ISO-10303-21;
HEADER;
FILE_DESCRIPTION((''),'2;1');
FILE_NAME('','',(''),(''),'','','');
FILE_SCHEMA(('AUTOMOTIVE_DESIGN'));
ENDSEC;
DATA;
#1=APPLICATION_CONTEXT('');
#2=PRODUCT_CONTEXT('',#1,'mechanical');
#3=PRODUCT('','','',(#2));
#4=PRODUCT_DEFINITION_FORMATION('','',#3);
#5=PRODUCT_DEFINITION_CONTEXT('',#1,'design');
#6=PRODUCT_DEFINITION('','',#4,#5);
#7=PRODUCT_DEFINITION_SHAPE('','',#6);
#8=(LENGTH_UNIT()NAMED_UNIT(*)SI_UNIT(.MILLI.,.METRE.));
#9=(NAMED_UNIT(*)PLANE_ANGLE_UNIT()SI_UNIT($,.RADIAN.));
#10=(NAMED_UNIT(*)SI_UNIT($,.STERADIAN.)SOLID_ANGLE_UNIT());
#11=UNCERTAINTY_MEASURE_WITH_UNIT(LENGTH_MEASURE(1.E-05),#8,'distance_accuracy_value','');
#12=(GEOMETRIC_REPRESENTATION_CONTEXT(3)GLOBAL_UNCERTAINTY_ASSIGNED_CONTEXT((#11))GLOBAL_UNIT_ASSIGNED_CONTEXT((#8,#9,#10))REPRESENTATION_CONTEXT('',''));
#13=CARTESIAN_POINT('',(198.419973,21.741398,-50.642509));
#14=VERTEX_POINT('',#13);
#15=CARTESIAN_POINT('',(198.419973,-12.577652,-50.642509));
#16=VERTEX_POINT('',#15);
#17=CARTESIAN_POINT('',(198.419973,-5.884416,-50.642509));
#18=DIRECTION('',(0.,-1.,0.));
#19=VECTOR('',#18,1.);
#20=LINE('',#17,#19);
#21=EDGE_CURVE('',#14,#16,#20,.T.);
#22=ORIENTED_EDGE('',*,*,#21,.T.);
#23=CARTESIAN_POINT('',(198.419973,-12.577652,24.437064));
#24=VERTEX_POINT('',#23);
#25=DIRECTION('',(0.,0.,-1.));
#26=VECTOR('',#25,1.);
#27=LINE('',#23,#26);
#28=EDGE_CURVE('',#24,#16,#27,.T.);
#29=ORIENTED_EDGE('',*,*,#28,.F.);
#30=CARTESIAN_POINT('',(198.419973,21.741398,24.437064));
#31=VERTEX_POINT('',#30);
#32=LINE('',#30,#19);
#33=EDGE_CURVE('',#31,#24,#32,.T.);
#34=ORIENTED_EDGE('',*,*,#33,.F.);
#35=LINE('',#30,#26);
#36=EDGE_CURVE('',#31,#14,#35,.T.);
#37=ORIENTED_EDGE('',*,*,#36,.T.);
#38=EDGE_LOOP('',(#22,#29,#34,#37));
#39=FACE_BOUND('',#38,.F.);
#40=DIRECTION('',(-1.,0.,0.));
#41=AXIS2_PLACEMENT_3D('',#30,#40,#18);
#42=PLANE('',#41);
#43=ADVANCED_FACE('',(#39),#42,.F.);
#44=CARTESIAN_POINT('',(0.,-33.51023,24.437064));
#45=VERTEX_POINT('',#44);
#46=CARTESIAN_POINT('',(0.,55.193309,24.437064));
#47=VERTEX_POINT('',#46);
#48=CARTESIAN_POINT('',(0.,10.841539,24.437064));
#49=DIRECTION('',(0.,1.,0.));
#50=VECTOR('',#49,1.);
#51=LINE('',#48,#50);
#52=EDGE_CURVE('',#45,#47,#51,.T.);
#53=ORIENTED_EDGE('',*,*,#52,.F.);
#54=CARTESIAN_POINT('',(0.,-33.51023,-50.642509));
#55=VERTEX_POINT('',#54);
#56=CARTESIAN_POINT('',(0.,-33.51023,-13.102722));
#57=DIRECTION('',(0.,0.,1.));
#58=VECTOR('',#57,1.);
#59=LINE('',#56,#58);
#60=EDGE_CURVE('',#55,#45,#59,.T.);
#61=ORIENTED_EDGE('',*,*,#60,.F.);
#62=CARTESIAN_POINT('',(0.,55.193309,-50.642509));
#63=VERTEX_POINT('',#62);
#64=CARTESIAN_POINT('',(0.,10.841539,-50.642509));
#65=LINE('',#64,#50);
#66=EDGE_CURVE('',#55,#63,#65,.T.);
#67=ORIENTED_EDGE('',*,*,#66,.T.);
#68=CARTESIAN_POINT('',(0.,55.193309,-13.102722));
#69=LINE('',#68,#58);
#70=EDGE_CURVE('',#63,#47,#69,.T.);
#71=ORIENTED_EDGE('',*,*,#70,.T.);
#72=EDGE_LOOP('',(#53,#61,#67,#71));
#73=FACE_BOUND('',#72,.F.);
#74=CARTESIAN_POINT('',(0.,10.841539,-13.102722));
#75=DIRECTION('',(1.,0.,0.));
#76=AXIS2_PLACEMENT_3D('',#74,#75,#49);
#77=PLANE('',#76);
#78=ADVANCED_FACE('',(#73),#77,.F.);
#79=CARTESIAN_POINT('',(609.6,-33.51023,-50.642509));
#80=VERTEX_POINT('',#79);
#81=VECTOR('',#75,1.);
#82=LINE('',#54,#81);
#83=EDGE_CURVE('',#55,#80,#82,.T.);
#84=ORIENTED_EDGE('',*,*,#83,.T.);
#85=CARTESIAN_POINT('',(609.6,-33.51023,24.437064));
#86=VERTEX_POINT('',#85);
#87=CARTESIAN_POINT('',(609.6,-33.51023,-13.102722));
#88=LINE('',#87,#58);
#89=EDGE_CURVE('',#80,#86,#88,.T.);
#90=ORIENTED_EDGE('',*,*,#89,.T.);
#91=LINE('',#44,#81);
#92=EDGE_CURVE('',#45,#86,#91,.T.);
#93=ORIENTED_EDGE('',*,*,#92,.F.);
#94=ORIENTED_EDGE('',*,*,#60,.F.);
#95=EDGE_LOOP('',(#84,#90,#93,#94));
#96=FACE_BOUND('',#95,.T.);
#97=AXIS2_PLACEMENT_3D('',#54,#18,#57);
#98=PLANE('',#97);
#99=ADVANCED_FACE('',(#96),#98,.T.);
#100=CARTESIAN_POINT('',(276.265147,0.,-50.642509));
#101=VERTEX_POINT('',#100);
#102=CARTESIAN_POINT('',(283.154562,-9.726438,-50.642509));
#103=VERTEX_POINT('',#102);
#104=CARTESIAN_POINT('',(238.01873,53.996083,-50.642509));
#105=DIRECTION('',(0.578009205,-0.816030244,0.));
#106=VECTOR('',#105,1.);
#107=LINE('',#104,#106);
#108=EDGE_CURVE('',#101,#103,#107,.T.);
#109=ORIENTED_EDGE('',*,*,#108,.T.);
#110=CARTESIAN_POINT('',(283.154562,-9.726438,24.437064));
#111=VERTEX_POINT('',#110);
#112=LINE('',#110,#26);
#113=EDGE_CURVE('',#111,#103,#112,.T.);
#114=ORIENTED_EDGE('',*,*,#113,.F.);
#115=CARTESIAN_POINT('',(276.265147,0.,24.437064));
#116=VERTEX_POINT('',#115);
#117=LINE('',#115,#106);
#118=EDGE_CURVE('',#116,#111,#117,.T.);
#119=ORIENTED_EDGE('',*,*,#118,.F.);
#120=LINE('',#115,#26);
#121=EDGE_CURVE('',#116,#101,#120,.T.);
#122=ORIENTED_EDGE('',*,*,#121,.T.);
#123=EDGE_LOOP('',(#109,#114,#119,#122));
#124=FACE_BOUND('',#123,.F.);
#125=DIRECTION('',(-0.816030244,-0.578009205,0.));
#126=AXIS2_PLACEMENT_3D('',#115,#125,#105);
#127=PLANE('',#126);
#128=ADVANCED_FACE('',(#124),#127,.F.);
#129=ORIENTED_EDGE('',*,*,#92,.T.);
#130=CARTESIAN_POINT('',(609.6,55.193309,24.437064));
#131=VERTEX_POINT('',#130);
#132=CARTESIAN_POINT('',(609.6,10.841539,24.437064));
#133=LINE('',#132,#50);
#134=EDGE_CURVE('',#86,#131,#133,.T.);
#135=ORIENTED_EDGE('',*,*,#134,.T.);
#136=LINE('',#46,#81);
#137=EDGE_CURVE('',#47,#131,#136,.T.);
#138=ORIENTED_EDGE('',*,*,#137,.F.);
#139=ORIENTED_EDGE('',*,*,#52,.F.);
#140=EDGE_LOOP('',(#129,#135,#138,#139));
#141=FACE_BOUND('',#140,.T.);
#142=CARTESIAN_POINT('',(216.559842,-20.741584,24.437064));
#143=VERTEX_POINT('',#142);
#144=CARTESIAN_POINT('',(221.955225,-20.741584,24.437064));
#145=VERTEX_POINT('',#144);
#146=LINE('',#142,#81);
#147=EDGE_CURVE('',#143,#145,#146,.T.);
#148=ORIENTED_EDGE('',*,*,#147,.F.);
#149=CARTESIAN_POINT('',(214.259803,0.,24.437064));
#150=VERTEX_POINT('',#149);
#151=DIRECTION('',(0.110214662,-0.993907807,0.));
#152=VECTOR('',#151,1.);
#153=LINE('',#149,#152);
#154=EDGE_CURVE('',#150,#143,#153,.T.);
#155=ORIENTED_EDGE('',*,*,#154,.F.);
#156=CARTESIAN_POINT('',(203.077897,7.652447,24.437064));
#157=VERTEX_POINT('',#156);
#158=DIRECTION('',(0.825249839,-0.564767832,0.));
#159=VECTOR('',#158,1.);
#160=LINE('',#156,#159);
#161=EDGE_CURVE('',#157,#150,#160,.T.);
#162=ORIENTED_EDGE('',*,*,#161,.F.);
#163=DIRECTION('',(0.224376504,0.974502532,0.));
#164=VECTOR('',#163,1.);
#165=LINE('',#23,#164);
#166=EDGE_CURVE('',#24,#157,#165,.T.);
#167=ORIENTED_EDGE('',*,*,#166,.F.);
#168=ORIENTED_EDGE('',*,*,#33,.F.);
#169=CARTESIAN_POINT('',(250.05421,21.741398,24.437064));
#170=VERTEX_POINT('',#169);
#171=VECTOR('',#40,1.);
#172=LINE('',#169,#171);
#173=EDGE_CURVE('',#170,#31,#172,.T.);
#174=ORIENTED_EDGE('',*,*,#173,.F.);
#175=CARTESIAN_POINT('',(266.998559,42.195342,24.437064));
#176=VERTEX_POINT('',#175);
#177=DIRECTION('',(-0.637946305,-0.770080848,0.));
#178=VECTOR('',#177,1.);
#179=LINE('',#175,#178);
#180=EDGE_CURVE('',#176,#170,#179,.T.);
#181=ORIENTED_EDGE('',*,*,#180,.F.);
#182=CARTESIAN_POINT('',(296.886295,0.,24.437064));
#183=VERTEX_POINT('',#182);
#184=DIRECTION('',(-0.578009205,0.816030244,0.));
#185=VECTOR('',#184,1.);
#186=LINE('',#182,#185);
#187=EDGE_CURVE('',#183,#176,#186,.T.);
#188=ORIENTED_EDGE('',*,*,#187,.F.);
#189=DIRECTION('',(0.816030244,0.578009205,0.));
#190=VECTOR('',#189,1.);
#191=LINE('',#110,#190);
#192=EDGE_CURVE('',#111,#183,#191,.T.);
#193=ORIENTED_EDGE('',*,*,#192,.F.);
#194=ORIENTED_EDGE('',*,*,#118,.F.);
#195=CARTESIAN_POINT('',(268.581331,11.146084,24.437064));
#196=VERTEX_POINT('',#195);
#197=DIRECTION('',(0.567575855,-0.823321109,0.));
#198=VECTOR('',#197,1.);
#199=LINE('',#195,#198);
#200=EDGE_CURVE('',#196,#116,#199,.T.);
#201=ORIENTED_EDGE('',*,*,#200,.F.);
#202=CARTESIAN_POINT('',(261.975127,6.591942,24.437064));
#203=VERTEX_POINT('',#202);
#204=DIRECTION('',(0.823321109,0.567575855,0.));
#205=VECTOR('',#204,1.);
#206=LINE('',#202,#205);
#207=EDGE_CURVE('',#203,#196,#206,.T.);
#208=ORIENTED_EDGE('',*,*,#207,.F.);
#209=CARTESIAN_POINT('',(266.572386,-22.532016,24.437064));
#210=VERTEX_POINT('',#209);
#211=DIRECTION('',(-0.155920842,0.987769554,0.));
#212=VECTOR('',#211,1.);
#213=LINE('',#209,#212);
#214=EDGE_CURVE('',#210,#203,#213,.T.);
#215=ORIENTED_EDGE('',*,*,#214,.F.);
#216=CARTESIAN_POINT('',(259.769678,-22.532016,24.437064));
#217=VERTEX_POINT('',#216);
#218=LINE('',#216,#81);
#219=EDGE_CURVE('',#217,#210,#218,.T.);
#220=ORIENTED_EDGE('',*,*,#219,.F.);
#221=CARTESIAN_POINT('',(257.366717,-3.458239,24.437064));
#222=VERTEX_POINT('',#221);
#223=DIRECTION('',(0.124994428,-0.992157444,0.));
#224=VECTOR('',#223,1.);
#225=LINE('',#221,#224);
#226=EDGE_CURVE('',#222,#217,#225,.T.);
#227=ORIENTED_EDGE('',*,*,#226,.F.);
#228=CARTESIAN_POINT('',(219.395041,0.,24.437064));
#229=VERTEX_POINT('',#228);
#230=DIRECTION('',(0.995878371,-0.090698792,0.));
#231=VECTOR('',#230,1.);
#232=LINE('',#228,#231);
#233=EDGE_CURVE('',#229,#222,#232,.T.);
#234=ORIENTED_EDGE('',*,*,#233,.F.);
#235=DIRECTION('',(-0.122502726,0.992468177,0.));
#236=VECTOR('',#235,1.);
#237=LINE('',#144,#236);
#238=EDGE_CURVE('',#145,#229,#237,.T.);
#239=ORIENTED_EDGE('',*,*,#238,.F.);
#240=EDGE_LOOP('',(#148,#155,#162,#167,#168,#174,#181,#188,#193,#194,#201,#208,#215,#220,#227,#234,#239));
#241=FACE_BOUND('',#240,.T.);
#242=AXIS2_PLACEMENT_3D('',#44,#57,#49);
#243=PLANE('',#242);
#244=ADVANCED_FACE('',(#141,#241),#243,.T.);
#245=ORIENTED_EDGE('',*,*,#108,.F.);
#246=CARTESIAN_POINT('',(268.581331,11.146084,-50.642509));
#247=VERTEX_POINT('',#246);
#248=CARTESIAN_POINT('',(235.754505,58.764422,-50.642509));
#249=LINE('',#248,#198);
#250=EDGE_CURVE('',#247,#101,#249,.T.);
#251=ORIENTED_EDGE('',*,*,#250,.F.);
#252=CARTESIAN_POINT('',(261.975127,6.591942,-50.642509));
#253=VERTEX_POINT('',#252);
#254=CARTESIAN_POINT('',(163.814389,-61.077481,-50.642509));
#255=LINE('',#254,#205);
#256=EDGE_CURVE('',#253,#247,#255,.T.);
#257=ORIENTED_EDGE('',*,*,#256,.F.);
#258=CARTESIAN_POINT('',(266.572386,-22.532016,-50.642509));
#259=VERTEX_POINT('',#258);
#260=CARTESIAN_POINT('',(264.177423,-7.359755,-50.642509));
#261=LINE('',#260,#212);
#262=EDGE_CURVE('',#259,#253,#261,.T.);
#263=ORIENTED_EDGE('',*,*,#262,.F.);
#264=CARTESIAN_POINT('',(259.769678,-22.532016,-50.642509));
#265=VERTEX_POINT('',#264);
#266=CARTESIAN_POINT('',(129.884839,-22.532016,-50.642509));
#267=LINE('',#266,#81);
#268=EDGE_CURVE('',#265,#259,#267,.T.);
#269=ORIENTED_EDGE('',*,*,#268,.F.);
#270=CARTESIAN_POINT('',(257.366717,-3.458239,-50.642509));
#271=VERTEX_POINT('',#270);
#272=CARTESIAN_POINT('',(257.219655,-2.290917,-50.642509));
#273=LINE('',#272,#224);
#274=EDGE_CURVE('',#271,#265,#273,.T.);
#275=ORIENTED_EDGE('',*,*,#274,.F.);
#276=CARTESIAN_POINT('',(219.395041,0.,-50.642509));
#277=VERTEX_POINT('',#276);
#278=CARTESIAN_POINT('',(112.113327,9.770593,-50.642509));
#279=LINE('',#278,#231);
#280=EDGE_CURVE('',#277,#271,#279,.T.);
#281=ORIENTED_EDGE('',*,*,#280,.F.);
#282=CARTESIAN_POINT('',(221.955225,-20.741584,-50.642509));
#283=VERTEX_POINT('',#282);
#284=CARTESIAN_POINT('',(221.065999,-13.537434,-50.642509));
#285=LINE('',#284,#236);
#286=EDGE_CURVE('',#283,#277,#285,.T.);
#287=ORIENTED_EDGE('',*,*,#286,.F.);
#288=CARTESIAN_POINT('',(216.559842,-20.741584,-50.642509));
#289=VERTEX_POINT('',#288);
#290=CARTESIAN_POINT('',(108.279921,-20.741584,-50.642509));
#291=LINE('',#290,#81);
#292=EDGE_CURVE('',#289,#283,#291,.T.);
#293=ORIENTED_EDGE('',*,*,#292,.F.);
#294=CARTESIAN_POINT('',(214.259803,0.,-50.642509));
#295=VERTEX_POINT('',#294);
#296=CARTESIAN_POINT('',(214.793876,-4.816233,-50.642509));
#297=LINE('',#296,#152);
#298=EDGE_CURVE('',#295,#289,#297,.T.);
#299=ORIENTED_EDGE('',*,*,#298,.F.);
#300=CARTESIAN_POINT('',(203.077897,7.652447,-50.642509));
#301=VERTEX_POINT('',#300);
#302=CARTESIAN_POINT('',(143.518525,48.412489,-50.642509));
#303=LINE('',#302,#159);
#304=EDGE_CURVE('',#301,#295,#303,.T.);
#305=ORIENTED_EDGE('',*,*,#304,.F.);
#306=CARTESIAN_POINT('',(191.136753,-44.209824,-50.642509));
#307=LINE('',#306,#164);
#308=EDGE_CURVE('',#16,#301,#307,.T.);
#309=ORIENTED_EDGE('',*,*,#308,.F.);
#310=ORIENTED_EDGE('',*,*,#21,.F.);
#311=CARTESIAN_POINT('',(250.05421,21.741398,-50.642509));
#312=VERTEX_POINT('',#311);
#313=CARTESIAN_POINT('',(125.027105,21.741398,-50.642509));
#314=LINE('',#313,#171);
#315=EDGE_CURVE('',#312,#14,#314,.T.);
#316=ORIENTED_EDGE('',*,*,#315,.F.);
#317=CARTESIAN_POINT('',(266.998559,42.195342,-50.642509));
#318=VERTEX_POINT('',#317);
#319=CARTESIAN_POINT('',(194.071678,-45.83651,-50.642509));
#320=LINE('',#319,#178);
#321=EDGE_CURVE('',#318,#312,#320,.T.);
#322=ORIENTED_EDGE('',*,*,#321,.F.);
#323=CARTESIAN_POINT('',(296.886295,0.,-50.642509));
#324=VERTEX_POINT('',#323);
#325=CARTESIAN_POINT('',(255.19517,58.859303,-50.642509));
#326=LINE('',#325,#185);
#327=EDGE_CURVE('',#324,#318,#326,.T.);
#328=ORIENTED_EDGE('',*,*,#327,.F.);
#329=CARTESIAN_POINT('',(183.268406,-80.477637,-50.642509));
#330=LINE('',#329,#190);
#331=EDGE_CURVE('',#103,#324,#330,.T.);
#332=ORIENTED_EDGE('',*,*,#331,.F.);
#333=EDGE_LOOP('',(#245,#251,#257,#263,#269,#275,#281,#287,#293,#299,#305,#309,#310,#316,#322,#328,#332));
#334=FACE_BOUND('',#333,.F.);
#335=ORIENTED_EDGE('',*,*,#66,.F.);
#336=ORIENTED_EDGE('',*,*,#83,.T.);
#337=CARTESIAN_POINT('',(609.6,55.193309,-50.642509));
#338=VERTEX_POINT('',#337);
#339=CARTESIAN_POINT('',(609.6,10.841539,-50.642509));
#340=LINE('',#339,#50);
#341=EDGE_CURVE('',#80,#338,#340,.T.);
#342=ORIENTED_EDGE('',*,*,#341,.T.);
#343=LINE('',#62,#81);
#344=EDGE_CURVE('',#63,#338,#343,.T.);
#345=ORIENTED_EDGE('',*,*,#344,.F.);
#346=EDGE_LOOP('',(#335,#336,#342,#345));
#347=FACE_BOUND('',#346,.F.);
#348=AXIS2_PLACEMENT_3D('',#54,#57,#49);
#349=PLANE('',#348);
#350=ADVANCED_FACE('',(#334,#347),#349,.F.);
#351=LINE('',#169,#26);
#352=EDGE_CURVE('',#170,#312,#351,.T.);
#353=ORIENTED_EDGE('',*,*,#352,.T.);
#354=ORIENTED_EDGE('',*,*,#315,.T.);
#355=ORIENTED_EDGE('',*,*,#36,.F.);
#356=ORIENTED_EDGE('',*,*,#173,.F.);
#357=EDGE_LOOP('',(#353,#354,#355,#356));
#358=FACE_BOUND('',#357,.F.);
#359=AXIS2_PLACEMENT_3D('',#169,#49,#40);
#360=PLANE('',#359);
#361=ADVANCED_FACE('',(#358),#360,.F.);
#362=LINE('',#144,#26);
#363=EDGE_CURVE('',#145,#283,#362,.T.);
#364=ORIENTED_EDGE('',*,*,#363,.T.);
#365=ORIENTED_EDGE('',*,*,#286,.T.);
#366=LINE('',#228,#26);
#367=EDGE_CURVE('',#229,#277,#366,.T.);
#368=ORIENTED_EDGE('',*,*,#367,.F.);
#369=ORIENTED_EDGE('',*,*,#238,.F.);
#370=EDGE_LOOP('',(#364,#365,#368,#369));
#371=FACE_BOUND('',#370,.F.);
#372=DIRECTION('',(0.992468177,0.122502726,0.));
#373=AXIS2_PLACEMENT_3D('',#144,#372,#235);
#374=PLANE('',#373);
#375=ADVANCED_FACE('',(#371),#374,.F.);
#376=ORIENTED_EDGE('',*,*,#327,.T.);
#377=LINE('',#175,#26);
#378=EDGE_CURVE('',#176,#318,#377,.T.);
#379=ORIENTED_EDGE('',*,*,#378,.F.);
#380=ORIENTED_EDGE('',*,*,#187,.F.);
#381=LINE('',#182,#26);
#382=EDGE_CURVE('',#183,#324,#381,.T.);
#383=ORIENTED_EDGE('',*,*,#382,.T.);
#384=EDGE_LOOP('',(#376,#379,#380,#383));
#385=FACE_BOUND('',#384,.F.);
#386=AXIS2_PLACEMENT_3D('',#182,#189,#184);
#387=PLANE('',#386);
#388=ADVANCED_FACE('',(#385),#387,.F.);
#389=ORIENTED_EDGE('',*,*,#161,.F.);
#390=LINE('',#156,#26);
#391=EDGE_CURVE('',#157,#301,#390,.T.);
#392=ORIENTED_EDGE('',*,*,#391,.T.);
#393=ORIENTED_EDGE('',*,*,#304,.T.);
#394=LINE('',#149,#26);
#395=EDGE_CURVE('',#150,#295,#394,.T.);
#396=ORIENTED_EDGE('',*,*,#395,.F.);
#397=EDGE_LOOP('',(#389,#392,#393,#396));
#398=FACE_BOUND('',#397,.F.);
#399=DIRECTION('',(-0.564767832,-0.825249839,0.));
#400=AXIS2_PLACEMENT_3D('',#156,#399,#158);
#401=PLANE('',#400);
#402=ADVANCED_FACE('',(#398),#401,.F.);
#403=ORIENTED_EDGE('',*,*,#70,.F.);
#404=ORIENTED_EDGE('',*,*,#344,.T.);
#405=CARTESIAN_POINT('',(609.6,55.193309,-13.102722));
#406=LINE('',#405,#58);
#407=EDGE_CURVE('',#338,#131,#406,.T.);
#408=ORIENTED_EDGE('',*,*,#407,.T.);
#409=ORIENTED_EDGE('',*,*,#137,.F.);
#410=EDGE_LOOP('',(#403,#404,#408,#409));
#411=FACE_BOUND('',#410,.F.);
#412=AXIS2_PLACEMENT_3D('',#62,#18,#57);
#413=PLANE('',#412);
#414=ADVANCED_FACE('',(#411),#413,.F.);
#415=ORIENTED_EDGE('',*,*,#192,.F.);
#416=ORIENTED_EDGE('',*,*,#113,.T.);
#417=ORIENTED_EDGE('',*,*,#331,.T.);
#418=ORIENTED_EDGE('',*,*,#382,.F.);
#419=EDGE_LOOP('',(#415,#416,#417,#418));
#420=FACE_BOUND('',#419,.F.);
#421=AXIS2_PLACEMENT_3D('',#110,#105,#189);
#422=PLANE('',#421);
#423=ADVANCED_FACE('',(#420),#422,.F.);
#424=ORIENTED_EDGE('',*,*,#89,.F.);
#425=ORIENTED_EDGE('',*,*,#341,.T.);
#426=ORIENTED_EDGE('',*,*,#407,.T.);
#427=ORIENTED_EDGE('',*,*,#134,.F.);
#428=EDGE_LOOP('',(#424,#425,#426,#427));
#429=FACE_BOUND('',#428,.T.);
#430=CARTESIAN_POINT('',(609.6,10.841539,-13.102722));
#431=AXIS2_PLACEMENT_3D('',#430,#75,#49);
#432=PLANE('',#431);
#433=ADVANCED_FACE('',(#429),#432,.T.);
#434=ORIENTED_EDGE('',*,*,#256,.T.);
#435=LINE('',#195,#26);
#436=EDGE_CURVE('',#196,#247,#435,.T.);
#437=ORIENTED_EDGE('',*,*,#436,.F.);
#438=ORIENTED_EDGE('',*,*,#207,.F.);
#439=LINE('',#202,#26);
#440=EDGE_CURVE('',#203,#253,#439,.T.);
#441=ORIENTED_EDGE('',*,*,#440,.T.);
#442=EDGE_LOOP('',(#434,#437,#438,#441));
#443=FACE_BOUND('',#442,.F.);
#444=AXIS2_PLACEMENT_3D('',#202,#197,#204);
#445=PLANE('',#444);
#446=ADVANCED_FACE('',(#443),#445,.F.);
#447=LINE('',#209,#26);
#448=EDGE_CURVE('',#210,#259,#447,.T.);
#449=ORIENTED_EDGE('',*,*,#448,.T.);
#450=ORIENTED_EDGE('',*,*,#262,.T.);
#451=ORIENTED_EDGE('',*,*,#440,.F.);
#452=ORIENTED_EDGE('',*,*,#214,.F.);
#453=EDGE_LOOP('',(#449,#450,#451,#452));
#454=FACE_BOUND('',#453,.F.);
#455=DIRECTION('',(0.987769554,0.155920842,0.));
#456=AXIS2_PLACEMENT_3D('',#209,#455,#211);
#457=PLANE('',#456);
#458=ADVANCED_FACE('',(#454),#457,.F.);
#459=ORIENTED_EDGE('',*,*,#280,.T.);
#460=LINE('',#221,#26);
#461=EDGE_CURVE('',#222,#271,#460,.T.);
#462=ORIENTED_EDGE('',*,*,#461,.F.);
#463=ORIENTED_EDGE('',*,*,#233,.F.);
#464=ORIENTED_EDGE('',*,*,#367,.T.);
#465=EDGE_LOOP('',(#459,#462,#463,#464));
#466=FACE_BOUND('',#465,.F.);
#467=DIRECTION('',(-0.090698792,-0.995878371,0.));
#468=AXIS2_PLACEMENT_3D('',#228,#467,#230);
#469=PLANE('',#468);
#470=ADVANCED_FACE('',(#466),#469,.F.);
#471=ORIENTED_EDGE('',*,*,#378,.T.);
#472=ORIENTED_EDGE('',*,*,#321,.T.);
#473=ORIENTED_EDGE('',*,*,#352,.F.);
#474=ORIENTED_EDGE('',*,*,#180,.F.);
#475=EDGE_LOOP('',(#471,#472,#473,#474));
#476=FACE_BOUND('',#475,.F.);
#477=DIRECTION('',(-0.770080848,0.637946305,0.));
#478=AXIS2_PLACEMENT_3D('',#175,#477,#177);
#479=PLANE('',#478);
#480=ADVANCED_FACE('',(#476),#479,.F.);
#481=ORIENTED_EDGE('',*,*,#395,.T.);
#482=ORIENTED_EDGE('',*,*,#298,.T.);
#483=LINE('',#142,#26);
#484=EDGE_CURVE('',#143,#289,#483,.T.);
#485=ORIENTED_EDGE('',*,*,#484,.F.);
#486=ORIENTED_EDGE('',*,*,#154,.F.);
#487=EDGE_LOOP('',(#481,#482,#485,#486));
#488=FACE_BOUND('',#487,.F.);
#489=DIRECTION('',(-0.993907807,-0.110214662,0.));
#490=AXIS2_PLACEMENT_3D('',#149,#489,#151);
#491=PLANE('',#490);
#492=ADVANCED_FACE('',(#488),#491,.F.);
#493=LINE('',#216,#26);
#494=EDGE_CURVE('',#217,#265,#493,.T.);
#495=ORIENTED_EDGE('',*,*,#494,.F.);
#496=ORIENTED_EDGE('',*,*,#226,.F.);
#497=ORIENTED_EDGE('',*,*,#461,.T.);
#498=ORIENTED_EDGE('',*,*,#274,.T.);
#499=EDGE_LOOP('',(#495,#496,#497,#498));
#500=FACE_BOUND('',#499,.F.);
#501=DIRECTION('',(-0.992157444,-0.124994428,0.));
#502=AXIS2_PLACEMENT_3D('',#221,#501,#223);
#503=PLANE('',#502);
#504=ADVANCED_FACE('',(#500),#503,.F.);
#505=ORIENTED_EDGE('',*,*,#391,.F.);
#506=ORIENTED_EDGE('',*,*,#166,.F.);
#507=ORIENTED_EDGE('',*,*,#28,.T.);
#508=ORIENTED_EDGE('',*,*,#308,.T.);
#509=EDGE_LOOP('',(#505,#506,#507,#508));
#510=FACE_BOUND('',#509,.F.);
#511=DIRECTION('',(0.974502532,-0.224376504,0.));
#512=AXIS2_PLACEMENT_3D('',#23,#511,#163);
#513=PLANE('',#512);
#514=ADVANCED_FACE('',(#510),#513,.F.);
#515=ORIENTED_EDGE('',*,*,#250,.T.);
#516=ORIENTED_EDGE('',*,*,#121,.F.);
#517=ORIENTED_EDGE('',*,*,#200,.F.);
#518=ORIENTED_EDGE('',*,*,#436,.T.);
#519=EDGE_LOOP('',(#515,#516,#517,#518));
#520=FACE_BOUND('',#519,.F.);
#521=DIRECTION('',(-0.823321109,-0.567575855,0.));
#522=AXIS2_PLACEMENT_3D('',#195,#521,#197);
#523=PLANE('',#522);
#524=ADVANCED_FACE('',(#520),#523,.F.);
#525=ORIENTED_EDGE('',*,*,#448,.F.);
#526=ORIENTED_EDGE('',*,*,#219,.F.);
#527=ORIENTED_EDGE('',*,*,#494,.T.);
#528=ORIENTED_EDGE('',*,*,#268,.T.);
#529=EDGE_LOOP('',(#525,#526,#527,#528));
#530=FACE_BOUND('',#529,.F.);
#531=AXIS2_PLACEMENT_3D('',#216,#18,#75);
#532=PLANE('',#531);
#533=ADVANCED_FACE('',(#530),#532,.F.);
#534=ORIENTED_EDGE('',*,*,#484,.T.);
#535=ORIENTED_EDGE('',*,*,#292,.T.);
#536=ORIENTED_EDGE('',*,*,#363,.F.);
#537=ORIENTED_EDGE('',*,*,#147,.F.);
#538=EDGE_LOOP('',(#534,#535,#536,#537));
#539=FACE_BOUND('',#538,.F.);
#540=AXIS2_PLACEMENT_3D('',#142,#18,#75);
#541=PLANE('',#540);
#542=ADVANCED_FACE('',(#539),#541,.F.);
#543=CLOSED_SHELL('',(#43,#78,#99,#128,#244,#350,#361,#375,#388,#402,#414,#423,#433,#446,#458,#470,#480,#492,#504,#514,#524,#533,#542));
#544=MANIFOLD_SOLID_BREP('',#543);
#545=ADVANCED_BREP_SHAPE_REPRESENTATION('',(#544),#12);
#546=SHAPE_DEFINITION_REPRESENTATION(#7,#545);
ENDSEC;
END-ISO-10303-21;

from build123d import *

# Parameters (mm, degrees)
F0_W     = 88.7035392225
F0_H     = 75.0795733184
F1_DEPTH = 609.6
F3_DEPTH = 75.0805733184


with BuildPart() as f1:
    # F0 (on Right) → F1 (new body)
    with BuildSketch(Plane.YZ):
        with Locations((10.8415391296, -13.1027223542)):
            Rectangle(F0_W, F0_H)
    extrude(amount=F1_DEPTH)

    # F2 (on face) → F3 (cut, through all)
    with BuildSketch(Plane.XY.offset(24.4370643049)):
        Polygon((250.0542104244, 21.7413976789), (198.4199732542, 21.7413976789), (198.4199732542, -12.5776519999), (203.0778974295, 7.6524470933), (214.2598032951, 0), (216.5598422289, -20.7415837795), (221.9552248716, -20.7415837795), (219.3950414658, 0), (257.3667168617, -3.4582386725), (259.7696781158, -22.5320160389), (266.5723860264, -22.5320160389), (261.9751274163, 6.5919420698), (268.5813307762, 11.1460844055), (276.2651473502, 0), (283.1545623022, -9.7264384601), (296.8862950802, 0), (266.9985592365, 42.1953424811), align=None)
    extrude(amount=-F3_DEPTH, mode=Mode.SUBTRACT)


solid = f1.part
